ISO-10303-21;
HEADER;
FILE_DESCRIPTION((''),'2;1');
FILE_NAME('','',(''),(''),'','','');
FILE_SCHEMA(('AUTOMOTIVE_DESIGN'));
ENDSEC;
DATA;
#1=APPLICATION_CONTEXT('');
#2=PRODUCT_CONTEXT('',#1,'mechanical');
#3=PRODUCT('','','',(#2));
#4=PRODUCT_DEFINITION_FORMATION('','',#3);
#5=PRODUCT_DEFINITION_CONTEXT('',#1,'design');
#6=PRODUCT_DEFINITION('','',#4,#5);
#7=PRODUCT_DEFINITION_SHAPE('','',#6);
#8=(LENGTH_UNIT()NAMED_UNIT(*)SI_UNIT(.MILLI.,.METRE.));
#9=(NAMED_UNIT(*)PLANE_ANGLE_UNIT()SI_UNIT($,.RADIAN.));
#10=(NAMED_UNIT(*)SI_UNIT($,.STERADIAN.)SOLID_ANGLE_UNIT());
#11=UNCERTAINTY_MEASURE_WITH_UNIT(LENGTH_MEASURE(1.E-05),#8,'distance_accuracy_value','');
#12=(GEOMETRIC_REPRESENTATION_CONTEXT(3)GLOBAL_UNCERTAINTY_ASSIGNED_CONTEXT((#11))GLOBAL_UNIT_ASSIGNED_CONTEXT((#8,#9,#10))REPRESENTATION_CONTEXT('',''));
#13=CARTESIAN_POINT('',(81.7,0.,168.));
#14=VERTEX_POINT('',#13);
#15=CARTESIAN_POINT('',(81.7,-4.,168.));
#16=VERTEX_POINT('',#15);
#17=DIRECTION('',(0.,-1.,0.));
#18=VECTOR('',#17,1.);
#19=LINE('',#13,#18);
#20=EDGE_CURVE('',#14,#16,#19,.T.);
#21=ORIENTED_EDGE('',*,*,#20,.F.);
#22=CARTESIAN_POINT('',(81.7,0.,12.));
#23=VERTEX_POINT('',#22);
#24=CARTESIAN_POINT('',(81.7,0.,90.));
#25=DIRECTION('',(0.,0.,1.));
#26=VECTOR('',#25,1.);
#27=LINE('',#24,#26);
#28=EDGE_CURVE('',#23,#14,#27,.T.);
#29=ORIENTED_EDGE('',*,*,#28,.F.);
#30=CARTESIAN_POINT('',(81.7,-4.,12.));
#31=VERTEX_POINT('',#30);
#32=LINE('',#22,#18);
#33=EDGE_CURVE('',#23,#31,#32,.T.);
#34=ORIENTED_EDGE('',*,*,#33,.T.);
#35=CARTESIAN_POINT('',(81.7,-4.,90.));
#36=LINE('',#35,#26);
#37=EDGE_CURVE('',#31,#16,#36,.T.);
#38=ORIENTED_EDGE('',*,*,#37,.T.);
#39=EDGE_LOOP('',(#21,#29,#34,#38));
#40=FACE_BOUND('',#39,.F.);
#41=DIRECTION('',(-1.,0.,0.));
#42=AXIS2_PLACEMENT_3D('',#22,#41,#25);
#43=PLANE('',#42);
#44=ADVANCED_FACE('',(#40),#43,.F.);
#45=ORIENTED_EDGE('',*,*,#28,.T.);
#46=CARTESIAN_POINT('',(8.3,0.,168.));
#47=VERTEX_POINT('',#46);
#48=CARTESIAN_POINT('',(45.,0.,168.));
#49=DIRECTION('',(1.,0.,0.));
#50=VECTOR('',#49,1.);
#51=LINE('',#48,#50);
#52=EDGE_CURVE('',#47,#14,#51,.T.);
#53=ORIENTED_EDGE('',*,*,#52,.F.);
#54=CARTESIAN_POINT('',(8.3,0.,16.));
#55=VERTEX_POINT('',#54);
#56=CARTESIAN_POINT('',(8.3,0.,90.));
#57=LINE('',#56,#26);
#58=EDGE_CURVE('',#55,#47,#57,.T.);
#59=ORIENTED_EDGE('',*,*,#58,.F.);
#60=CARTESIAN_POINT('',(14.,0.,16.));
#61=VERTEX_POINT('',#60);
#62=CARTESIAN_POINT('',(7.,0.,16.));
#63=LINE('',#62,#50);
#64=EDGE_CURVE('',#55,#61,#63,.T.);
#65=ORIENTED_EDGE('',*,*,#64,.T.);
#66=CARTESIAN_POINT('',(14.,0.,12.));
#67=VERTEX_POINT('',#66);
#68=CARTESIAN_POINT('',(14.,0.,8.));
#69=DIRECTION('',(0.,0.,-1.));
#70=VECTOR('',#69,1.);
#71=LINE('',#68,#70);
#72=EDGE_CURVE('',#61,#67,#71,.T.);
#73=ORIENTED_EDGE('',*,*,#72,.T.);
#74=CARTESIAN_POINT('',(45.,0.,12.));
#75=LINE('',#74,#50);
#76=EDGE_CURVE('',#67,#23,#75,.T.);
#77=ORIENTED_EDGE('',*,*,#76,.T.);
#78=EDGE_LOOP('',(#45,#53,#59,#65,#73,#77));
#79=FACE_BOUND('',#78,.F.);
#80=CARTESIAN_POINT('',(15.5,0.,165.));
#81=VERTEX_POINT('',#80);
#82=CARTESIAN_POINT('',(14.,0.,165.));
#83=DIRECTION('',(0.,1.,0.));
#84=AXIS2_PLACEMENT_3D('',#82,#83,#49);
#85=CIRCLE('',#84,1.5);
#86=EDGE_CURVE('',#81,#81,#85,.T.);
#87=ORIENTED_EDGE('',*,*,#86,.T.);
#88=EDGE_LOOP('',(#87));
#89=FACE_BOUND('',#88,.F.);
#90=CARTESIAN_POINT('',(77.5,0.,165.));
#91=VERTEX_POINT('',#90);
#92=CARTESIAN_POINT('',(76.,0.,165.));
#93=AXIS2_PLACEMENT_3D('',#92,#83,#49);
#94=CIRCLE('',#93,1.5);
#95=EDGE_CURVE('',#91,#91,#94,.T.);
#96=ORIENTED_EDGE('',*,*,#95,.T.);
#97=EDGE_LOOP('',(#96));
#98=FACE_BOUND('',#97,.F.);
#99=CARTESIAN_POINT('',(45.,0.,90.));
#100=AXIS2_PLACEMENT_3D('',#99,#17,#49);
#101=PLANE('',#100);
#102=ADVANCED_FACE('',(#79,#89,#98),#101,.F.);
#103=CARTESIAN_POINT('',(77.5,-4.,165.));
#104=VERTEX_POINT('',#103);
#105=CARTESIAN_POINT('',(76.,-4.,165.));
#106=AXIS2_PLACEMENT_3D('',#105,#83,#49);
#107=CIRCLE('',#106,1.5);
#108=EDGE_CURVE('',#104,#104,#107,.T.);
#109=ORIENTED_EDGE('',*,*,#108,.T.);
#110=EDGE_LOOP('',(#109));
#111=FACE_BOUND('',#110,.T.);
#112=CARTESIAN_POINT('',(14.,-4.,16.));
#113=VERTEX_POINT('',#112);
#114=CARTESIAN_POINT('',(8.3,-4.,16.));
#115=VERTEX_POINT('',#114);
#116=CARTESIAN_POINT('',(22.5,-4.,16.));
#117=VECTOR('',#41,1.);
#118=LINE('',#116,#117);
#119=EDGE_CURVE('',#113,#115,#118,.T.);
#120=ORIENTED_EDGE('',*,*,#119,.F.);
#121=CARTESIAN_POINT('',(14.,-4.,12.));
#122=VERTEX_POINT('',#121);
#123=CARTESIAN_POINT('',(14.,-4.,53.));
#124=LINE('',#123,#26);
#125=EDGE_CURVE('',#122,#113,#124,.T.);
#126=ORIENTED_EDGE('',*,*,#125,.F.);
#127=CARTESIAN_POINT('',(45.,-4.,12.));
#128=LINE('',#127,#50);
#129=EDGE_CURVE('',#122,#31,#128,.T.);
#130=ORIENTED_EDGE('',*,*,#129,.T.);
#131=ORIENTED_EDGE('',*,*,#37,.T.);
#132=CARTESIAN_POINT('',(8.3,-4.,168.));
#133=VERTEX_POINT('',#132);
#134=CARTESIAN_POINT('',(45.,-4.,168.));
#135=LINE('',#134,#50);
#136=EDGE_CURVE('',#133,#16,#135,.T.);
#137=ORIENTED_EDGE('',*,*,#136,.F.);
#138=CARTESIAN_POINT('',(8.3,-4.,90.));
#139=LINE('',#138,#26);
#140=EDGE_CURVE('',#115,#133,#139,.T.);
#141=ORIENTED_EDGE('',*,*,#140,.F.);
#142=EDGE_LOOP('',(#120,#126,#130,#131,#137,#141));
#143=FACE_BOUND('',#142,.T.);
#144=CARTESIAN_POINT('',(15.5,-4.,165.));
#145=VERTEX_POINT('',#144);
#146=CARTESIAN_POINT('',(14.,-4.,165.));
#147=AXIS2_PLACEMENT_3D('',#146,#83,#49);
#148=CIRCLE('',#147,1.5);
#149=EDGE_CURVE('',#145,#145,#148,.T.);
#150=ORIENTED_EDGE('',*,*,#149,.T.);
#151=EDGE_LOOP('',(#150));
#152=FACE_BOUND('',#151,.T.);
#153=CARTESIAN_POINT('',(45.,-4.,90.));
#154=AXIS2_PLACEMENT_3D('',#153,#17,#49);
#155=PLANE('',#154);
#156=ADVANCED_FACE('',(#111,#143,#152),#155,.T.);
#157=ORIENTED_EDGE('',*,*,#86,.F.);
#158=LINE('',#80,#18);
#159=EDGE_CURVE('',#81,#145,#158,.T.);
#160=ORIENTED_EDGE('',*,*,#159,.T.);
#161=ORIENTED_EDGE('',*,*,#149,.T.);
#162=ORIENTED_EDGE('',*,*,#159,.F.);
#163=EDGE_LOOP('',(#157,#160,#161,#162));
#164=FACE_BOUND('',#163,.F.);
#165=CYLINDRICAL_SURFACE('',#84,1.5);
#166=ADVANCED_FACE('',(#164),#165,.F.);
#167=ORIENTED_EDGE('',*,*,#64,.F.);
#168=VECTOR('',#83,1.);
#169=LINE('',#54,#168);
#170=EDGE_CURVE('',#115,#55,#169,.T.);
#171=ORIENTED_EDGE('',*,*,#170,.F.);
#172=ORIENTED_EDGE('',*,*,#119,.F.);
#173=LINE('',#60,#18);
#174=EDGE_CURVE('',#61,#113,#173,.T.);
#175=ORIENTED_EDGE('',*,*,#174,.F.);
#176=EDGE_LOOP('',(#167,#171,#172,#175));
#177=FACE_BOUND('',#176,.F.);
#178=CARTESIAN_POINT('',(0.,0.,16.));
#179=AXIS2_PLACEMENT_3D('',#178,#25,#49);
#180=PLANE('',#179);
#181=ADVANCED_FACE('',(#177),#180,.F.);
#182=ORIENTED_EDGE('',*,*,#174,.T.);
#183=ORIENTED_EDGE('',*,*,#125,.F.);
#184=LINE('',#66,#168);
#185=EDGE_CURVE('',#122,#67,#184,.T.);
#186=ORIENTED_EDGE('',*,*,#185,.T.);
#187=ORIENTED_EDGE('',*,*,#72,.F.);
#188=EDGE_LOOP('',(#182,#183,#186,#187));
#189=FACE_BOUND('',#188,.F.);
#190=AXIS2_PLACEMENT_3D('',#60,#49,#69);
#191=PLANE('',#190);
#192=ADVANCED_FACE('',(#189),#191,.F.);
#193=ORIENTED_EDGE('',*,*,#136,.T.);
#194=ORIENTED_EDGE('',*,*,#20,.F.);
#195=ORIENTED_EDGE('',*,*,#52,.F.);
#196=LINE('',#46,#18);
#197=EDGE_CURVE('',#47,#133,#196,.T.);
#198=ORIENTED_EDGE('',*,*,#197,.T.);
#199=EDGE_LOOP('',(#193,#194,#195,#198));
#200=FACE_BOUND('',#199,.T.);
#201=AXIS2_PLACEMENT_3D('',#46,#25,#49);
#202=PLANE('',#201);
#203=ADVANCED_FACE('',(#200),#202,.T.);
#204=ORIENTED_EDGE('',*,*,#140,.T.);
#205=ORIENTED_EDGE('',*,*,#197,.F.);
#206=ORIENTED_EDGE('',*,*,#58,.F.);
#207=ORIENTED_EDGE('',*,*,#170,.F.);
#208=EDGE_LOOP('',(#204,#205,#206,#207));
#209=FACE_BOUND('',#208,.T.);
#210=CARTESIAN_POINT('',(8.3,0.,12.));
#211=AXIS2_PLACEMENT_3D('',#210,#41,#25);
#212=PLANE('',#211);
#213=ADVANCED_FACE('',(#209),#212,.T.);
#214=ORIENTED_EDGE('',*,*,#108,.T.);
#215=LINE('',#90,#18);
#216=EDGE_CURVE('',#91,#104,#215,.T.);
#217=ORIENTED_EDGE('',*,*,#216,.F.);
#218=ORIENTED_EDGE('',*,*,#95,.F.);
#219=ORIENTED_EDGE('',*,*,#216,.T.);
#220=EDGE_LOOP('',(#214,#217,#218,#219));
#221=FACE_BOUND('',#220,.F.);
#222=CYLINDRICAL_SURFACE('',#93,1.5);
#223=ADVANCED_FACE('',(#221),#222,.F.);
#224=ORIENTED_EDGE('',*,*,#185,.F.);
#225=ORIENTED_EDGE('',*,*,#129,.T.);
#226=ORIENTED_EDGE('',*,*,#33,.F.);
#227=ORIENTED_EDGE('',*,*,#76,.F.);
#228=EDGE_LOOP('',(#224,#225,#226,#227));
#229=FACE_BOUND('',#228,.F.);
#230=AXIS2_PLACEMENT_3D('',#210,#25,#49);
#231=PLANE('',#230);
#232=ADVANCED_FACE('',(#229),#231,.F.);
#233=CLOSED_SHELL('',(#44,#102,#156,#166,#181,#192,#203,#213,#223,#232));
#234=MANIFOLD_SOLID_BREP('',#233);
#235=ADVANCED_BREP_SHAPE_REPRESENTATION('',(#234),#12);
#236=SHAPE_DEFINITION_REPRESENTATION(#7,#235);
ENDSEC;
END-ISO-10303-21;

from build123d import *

# Parameters (mm, degrees)
SKETCH030_W     = 73.4
SKETCH030_H     = 156
PAD008_DEPTH    = 4
SKETCH031_R     = 1.5
POCKET014_DEPTH = 4
SKETCH032_W     = 14
SKETCH032_H     = 16
POCKET015_DEPTH = 5


with BuildPart() as part:
    # Sketch030 → Pad008 (new body)
    with BuildSketch(Plane.XZ):
        with Locations((45, 90)):
            Rectangle(SKETCH030_W, SKETCH030_H)
    extrude(amount=PAD008_DEPTH)

    # Sketch031 (on Face5 of Pad008) → Pocket014 (cut)
    with BuildSketch(Plane(origin=(0, 0, 0), x_dir=(1, 0, 0), z_dir=(0, 1, 0))):
        with Locations((14, -165)):
            Circle(SKETCH031_R)
        with Locations((76, -165)):
            Circle(SKETCH031_R)
    extrude(amount=-POCKET014_DEPTH, mode=Mode.SUBTRACT)

    # Sketch032 (on Face4 of Pocket014) → Pocket015 (cut)
    with BuildSketch(Plane(origin=(0, 0, 0), x_dir=(1, 0, 0), z_dir=(0, 1, 0))):
        with Locations((7, -8)):
            Rectangle(SKETCH032_W, SKETCH032_H)
    extrude(amount=-POCKET015_DEPTH, mode=Mode.SUBTRACT)


solid = part.part
